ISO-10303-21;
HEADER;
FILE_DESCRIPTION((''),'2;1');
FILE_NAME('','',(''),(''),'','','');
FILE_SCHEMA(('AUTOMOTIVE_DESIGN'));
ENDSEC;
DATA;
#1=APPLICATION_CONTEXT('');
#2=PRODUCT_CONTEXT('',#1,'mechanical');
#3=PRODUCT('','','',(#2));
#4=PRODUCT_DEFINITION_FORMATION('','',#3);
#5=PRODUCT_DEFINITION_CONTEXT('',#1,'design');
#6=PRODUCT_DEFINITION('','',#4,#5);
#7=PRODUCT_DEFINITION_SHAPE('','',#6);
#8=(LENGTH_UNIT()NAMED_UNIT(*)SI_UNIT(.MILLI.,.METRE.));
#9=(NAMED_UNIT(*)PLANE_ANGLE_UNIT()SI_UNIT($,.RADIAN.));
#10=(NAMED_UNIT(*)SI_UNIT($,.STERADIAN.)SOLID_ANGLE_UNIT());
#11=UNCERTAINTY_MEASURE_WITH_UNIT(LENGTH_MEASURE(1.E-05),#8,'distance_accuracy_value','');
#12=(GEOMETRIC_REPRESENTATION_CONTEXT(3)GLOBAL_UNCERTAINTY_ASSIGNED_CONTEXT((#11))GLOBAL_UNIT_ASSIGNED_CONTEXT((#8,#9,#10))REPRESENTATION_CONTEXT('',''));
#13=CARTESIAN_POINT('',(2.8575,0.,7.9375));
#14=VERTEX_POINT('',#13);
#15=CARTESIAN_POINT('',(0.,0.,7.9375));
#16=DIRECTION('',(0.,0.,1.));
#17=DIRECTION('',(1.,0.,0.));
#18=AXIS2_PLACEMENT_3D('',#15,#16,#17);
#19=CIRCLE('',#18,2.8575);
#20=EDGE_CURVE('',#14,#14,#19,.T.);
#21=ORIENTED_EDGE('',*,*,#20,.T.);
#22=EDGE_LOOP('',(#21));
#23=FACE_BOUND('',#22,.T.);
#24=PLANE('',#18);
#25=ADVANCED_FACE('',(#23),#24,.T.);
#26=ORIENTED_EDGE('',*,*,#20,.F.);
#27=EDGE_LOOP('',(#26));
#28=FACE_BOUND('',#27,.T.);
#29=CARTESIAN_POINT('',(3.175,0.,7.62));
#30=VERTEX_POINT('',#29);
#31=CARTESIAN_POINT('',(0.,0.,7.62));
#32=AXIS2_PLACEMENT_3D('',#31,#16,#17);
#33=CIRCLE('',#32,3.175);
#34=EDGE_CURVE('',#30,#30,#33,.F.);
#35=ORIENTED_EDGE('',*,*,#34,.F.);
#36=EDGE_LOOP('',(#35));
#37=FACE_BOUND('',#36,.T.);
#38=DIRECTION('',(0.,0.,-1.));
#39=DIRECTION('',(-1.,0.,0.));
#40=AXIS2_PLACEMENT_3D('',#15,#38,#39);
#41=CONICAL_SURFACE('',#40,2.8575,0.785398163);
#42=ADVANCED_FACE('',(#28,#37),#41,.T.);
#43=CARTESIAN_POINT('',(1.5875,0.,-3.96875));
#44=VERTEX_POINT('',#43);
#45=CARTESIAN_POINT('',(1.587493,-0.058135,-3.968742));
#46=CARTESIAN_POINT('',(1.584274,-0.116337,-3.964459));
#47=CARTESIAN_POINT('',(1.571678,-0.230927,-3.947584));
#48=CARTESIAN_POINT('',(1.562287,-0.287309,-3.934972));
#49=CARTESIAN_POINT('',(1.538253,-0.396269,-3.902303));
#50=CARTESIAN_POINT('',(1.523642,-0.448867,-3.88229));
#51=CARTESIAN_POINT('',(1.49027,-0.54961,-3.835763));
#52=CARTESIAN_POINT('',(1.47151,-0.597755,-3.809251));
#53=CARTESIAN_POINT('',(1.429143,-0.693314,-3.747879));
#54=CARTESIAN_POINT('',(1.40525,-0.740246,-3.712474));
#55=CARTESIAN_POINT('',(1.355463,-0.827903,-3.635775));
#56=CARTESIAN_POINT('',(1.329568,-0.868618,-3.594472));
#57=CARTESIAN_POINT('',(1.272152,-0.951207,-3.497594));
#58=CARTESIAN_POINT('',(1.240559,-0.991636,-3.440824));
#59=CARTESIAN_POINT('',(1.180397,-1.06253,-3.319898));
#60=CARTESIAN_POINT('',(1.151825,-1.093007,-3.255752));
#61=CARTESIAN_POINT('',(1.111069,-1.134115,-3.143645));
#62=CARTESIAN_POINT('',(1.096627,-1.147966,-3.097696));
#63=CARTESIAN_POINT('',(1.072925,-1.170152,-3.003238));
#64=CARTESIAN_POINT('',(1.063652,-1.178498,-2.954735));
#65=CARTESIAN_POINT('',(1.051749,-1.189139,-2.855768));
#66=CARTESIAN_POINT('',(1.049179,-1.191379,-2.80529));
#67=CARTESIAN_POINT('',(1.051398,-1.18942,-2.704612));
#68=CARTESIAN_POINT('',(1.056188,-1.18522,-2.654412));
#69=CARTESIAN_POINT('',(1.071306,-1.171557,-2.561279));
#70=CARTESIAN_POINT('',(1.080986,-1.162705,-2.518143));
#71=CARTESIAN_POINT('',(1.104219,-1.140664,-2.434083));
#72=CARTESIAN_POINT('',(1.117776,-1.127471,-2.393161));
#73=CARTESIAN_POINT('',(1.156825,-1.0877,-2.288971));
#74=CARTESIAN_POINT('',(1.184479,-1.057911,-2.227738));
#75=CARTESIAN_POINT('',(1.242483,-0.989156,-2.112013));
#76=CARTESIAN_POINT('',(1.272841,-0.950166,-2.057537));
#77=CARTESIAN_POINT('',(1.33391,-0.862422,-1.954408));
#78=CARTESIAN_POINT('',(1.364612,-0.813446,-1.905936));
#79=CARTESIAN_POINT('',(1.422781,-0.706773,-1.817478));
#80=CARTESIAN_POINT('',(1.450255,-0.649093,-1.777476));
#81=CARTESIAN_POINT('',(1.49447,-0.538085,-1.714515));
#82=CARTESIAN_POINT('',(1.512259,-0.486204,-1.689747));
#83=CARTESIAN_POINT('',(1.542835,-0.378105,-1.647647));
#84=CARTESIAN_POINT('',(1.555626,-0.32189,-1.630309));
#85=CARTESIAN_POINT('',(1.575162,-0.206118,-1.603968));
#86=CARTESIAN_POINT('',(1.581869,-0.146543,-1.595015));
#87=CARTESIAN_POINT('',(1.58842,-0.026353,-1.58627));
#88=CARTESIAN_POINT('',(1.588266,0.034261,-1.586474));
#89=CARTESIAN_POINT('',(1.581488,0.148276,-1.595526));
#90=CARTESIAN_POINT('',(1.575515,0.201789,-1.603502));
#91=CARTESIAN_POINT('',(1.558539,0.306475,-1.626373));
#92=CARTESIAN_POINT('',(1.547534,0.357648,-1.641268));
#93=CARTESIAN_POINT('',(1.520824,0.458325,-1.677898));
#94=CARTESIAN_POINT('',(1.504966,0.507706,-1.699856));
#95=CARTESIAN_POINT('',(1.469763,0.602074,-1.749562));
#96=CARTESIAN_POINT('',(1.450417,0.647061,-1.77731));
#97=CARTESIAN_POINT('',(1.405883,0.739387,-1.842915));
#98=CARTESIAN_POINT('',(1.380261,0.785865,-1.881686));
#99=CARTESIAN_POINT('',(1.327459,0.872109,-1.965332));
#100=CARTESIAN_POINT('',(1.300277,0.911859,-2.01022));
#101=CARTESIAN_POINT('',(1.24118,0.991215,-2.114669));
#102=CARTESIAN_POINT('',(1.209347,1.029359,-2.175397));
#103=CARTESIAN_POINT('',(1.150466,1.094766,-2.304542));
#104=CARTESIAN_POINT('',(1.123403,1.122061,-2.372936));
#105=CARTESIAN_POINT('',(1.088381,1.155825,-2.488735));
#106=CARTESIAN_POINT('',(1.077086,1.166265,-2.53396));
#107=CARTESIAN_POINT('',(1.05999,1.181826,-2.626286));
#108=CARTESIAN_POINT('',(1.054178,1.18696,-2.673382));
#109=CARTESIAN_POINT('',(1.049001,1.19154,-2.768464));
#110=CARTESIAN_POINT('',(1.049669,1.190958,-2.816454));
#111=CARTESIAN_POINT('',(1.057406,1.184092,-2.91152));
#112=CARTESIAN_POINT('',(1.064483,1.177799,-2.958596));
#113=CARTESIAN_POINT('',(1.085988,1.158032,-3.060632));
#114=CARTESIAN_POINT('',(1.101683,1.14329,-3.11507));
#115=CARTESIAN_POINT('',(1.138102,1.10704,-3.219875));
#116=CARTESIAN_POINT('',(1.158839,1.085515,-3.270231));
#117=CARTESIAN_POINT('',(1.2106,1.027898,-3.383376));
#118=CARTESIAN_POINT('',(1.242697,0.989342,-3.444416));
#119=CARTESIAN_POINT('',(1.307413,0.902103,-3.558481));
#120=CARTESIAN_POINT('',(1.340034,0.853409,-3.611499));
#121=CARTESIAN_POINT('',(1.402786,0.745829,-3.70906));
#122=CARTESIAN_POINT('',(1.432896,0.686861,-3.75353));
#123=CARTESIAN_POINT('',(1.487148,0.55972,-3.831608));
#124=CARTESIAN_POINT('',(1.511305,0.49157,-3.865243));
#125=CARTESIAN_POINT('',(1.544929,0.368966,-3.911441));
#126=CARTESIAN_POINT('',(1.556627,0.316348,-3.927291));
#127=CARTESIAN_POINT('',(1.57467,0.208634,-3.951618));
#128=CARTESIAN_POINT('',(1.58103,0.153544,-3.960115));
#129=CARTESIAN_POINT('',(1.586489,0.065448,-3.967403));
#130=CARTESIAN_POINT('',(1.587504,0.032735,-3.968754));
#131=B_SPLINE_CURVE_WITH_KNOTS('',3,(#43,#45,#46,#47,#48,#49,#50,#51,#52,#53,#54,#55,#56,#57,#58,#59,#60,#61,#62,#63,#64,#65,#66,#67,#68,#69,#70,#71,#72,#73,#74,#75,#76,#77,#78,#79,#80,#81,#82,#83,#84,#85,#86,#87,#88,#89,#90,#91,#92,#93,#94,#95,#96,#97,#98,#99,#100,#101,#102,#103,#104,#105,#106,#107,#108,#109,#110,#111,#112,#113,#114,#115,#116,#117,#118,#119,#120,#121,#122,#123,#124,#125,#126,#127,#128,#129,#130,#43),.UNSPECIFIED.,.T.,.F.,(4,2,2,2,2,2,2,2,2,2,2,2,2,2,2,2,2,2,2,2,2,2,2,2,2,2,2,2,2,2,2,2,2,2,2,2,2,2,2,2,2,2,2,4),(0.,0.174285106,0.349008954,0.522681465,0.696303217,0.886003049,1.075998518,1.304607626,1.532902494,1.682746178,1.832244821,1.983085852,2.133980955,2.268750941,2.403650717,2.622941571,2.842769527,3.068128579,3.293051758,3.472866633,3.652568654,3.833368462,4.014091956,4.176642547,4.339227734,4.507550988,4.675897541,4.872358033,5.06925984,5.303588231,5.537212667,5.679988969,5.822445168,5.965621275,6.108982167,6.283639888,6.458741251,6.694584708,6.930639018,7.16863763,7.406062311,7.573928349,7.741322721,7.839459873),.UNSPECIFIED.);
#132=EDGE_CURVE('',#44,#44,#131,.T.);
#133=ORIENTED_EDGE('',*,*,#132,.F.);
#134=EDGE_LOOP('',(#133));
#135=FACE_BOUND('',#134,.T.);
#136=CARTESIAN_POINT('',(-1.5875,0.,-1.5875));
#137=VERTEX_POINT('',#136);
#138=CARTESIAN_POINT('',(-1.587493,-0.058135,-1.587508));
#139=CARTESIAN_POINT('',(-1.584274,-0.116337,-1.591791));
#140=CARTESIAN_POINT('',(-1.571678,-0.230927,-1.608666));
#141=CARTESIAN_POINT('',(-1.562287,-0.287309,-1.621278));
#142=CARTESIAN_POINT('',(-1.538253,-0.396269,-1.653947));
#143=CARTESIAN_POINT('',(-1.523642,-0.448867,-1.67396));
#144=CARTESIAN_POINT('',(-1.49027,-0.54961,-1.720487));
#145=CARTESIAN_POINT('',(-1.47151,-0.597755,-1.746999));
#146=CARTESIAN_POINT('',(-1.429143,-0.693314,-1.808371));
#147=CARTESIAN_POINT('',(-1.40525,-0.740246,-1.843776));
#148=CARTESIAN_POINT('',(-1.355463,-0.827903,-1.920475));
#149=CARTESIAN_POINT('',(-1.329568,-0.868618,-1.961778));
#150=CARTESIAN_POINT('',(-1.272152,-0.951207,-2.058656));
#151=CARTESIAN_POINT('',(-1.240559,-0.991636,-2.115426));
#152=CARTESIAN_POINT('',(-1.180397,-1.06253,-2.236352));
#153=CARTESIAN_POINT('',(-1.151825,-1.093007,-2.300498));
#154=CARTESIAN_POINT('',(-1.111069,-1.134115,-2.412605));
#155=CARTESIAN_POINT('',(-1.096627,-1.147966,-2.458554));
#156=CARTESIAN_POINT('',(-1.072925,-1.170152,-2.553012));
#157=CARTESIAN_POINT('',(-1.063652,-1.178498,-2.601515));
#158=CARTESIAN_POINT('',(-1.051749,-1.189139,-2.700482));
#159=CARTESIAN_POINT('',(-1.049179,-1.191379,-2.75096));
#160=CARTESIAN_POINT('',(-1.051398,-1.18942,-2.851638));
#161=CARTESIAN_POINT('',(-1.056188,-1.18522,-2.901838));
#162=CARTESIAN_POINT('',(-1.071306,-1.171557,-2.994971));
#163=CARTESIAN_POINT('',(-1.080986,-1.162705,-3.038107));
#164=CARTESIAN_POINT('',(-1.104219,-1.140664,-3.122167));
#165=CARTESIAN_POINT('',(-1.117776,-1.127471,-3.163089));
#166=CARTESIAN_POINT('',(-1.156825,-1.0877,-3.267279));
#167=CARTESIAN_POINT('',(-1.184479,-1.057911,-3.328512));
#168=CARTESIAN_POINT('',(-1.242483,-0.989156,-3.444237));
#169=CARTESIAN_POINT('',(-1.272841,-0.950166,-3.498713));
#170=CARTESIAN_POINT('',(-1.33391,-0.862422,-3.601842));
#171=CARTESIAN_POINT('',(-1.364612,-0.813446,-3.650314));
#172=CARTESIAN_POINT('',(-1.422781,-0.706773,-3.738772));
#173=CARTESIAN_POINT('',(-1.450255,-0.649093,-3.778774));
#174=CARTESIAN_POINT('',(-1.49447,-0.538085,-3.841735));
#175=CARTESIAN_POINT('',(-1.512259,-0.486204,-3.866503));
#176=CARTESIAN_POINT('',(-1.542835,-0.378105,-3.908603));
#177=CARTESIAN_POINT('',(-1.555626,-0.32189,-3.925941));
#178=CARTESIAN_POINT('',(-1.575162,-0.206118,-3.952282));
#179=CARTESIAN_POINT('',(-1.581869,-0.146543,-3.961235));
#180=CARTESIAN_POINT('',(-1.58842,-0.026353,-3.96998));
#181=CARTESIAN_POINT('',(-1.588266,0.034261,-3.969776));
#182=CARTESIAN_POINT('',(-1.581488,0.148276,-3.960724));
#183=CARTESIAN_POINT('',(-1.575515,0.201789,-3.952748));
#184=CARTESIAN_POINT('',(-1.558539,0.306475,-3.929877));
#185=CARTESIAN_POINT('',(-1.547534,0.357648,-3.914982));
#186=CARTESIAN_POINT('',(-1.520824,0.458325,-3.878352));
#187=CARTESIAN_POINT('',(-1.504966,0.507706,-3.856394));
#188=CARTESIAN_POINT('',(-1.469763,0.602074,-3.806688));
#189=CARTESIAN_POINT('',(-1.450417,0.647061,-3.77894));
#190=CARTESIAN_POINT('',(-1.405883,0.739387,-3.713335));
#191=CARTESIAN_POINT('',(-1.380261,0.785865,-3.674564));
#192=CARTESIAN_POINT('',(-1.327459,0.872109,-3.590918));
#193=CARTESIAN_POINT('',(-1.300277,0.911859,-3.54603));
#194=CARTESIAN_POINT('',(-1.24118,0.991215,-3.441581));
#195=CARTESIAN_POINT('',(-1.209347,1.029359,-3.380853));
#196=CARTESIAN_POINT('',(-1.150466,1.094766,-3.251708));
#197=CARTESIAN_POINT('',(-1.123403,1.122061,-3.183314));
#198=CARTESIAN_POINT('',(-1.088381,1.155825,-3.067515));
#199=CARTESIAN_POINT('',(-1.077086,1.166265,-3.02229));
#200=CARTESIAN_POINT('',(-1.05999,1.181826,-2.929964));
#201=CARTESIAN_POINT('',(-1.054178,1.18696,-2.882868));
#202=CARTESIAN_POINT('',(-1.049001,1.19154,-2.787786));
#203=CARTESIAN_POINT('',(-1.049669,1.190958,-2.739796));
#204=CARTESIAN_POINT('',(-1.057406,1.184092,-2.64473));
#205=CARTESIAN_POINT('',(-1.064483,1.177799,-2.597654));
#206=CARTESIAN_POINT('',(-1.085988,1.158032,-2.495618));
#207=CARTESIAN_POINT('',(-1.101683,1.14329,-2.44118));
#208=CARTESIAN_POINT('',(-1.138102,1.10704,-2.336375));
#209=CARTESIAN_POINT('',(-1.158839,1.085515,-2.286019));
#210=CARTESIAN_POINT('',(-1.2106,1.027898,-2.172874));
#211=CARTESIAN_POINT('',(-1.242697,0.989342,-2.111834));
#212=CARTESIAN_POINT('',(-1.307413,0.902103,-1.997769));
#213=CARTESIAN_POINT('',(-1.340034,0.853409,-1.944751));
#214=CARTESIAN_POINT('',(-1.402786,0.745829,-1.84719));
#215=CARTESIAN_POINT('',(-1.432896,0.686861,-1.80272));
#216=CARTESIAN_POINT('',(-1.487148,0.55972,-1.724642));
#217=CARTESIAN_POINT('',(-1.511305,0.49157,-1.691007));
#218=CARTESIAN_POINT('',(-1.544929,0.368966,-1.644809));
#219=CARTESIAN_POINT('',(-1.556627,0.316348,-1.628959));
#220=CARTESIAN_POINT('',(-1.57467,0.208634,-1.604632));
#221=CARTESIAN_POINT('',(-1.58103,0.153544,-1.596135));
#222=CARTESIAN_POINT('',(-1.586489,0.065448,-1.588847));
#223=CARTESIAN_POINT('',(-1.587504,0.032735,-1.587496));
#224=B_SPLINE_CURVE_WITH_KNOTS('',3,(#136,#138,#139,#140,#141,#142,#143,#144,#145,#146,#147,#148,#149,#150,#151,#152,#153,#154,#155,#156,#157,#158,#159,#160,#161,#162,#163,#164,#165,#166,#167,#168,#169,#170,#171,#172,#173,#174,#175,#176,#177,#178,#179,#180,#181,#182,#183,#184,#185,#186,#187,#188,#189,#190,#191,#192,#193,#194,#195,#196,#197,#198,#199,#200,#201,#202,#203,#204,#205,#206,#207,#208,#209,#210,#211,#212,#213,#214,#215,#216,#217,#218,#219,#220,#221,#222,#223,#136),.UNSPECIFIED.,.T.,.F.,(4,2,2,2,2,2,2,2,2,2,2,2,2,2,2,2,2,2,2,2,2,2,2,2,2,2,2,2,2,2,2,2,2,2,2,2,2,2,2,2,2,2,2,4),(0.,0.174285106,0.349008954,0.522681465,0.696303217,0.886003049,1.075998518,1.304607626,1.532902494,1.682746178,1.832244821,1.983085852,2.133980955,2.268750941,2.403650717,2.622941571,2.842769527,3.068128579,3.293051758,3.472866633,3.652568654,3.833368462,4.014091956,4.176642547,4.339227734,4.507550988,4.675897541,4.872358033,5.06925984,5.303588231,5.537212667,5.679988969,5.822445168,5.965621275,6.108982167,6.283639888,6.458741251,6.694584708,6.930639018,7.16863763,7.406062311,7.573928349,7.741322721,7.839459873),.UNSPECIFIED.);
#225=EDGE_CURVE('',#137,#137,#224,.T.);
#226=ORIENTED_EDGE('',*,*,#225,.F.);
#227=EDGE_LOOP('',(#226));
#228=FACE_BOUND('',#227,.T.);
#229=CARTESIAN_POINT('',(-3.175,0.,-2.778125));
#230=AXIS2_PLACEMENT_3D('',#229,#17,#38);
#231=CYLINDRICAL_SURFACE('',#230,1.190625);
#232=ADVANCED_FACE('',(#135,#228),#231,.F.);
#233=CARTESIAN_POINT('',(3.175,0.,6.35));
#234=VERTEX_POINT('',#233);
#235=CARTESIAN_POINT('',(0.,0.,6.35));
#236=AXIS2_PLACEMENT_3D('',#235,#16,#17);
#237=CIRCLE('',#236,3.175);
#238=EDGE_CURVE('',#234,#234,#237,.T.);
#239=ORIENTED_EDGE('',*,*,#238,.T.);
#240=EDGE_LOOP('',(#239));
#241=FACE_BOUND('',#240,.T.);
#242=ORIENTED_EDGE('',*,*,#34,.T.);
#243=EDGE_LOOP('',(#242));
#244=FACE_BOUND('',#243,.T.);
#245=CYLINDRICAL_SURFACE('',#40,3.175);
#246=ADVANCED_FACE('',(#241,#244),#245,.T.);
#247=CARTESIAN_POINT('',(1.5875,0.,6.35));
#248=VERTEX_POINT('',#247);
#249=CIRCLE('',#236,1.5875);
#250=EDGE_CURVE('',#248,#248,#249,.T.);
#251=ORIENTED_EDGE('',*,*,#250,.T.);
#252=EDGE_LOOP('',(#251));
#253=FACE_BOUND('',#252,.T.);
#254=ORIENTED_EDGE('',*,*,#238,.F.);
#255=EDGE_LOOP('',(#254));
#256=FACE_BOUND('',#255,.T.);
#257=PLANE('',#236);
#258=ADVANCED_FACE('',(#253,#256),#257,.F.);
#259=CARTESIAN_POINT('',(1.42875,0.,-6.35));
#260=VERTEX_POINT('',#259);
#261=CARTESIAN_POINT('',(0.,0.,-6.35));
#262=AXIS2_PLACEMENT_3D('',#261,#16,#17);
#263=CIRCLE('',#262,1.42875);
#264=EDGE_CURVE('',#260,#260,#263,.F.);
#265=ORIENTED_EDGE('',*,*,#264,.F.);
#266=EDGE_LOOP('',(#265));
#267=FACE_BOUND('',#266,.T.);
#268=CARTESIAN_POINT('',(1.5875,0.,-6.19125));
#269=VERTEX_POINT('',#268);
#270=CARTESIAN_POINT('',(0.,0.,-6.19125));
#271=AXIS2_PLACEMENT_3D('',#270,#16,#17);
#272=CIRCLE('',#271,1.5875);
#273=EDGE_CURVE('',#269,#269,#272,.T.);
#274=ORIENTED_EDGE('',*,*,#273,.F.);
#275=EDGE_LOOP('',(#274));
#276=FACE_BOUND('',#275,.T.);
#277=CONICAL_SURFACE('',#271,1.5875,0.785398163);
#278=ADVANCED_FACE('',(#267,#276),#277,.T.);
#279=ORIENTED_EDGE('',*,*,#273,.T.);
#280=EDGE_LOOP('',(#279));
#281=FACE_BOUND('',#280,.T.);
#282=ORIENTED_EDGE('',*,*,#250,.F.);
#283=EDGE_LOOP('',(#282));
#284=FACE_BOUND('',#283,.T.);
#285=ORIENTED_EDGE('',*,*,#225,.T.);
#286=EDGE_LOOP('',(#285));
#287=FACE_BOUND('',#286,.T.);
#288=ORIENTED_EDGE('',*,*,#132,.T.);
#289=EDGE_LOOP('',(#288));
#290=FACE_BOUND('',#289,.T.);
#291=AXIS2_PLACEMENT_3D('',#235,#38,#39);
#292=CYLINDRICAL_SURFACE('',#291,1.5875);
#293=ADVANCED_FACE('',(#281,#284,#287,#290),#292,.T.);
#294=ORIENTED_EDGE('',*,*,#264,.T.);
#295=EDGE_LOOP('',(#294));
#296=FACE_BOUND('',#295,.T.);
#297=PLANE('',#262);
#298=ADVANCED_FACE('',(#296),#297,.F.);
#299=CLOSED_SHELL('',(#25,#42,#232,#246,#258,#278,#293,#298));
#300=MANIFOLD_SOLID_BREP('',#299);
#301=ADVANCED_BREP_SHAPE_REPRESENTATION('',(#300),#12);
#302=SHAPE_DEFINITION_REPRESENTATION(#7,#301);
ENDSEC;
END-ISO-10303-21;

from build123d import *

# Parameters (mm, degrees)
SKETCH1_R           = 1.5875
EXTRUDE1_DEPTH      = 6.35
SKETCH2_R           = 3.175
EXTRUDE2_DEPTH      = 1.5875
CHAMFER1_SIZE       = 0.3175
EXTRUDE3_DEPTH      = 10.119493201
EXTRUDE3_DEPTH_BACK = 10.119493201
SKETCH3_R           = 1.190625
CHAMFER2_SIZE       = 0.15875


with BuildPart() as part:
    # Sketch1 → Extrude1 (new, symmetric)
    with BuildSketch(Plane.XY):
        Circle(SKETCH1_R)
    extrude(amount=EXTRUDE1_DEPTH, both=True)

    # Sketch2 → Extrude2 (add)
    with BuildSketch(Plane.XY.offset(6.35)):
        Circle(SKETCH2_R)
    extrude(amount=EXTRUDE2_DEPTH)

    # Chamfer1
    chamfer1_edges = [part.edges().sort_by_distance(p)[0] for p in [
        (-3.175, 0, 7.9375),
    ]]
    chamfer(chamfer1_edges, length=CHAMFER1_SIZE)

    # Sketch3 → Extrude3 (cut, two sides: drawn at the far end of the back side and taken through both)
    with BuildSketch(Plane(origin=(0, 0, 0), x_dir=(0, 0, -1), z_dir=(1, 0, 0)).offset(-EXTRUDE3_DEPTH_BACK)):
        with Locations(Location((2.778125, 0, 0), (0, 0, 180))):
            Circle(SKETCH3_R)
    extrude(amount=EXTRUDE3_DEPTH + EXTRUDE3_DEPTH_BACK, mode=Mode.SUBTRACT)

    # Chamfer2
    chamfer2_edges = [part.edges().sort_by_distance(p)[0] for p in [
        (-1.5875, 0, -6.35),
    ]]
    chamfer(chamfer2_edges, length=CHAMFER2_SIZE)


solid = part.part
